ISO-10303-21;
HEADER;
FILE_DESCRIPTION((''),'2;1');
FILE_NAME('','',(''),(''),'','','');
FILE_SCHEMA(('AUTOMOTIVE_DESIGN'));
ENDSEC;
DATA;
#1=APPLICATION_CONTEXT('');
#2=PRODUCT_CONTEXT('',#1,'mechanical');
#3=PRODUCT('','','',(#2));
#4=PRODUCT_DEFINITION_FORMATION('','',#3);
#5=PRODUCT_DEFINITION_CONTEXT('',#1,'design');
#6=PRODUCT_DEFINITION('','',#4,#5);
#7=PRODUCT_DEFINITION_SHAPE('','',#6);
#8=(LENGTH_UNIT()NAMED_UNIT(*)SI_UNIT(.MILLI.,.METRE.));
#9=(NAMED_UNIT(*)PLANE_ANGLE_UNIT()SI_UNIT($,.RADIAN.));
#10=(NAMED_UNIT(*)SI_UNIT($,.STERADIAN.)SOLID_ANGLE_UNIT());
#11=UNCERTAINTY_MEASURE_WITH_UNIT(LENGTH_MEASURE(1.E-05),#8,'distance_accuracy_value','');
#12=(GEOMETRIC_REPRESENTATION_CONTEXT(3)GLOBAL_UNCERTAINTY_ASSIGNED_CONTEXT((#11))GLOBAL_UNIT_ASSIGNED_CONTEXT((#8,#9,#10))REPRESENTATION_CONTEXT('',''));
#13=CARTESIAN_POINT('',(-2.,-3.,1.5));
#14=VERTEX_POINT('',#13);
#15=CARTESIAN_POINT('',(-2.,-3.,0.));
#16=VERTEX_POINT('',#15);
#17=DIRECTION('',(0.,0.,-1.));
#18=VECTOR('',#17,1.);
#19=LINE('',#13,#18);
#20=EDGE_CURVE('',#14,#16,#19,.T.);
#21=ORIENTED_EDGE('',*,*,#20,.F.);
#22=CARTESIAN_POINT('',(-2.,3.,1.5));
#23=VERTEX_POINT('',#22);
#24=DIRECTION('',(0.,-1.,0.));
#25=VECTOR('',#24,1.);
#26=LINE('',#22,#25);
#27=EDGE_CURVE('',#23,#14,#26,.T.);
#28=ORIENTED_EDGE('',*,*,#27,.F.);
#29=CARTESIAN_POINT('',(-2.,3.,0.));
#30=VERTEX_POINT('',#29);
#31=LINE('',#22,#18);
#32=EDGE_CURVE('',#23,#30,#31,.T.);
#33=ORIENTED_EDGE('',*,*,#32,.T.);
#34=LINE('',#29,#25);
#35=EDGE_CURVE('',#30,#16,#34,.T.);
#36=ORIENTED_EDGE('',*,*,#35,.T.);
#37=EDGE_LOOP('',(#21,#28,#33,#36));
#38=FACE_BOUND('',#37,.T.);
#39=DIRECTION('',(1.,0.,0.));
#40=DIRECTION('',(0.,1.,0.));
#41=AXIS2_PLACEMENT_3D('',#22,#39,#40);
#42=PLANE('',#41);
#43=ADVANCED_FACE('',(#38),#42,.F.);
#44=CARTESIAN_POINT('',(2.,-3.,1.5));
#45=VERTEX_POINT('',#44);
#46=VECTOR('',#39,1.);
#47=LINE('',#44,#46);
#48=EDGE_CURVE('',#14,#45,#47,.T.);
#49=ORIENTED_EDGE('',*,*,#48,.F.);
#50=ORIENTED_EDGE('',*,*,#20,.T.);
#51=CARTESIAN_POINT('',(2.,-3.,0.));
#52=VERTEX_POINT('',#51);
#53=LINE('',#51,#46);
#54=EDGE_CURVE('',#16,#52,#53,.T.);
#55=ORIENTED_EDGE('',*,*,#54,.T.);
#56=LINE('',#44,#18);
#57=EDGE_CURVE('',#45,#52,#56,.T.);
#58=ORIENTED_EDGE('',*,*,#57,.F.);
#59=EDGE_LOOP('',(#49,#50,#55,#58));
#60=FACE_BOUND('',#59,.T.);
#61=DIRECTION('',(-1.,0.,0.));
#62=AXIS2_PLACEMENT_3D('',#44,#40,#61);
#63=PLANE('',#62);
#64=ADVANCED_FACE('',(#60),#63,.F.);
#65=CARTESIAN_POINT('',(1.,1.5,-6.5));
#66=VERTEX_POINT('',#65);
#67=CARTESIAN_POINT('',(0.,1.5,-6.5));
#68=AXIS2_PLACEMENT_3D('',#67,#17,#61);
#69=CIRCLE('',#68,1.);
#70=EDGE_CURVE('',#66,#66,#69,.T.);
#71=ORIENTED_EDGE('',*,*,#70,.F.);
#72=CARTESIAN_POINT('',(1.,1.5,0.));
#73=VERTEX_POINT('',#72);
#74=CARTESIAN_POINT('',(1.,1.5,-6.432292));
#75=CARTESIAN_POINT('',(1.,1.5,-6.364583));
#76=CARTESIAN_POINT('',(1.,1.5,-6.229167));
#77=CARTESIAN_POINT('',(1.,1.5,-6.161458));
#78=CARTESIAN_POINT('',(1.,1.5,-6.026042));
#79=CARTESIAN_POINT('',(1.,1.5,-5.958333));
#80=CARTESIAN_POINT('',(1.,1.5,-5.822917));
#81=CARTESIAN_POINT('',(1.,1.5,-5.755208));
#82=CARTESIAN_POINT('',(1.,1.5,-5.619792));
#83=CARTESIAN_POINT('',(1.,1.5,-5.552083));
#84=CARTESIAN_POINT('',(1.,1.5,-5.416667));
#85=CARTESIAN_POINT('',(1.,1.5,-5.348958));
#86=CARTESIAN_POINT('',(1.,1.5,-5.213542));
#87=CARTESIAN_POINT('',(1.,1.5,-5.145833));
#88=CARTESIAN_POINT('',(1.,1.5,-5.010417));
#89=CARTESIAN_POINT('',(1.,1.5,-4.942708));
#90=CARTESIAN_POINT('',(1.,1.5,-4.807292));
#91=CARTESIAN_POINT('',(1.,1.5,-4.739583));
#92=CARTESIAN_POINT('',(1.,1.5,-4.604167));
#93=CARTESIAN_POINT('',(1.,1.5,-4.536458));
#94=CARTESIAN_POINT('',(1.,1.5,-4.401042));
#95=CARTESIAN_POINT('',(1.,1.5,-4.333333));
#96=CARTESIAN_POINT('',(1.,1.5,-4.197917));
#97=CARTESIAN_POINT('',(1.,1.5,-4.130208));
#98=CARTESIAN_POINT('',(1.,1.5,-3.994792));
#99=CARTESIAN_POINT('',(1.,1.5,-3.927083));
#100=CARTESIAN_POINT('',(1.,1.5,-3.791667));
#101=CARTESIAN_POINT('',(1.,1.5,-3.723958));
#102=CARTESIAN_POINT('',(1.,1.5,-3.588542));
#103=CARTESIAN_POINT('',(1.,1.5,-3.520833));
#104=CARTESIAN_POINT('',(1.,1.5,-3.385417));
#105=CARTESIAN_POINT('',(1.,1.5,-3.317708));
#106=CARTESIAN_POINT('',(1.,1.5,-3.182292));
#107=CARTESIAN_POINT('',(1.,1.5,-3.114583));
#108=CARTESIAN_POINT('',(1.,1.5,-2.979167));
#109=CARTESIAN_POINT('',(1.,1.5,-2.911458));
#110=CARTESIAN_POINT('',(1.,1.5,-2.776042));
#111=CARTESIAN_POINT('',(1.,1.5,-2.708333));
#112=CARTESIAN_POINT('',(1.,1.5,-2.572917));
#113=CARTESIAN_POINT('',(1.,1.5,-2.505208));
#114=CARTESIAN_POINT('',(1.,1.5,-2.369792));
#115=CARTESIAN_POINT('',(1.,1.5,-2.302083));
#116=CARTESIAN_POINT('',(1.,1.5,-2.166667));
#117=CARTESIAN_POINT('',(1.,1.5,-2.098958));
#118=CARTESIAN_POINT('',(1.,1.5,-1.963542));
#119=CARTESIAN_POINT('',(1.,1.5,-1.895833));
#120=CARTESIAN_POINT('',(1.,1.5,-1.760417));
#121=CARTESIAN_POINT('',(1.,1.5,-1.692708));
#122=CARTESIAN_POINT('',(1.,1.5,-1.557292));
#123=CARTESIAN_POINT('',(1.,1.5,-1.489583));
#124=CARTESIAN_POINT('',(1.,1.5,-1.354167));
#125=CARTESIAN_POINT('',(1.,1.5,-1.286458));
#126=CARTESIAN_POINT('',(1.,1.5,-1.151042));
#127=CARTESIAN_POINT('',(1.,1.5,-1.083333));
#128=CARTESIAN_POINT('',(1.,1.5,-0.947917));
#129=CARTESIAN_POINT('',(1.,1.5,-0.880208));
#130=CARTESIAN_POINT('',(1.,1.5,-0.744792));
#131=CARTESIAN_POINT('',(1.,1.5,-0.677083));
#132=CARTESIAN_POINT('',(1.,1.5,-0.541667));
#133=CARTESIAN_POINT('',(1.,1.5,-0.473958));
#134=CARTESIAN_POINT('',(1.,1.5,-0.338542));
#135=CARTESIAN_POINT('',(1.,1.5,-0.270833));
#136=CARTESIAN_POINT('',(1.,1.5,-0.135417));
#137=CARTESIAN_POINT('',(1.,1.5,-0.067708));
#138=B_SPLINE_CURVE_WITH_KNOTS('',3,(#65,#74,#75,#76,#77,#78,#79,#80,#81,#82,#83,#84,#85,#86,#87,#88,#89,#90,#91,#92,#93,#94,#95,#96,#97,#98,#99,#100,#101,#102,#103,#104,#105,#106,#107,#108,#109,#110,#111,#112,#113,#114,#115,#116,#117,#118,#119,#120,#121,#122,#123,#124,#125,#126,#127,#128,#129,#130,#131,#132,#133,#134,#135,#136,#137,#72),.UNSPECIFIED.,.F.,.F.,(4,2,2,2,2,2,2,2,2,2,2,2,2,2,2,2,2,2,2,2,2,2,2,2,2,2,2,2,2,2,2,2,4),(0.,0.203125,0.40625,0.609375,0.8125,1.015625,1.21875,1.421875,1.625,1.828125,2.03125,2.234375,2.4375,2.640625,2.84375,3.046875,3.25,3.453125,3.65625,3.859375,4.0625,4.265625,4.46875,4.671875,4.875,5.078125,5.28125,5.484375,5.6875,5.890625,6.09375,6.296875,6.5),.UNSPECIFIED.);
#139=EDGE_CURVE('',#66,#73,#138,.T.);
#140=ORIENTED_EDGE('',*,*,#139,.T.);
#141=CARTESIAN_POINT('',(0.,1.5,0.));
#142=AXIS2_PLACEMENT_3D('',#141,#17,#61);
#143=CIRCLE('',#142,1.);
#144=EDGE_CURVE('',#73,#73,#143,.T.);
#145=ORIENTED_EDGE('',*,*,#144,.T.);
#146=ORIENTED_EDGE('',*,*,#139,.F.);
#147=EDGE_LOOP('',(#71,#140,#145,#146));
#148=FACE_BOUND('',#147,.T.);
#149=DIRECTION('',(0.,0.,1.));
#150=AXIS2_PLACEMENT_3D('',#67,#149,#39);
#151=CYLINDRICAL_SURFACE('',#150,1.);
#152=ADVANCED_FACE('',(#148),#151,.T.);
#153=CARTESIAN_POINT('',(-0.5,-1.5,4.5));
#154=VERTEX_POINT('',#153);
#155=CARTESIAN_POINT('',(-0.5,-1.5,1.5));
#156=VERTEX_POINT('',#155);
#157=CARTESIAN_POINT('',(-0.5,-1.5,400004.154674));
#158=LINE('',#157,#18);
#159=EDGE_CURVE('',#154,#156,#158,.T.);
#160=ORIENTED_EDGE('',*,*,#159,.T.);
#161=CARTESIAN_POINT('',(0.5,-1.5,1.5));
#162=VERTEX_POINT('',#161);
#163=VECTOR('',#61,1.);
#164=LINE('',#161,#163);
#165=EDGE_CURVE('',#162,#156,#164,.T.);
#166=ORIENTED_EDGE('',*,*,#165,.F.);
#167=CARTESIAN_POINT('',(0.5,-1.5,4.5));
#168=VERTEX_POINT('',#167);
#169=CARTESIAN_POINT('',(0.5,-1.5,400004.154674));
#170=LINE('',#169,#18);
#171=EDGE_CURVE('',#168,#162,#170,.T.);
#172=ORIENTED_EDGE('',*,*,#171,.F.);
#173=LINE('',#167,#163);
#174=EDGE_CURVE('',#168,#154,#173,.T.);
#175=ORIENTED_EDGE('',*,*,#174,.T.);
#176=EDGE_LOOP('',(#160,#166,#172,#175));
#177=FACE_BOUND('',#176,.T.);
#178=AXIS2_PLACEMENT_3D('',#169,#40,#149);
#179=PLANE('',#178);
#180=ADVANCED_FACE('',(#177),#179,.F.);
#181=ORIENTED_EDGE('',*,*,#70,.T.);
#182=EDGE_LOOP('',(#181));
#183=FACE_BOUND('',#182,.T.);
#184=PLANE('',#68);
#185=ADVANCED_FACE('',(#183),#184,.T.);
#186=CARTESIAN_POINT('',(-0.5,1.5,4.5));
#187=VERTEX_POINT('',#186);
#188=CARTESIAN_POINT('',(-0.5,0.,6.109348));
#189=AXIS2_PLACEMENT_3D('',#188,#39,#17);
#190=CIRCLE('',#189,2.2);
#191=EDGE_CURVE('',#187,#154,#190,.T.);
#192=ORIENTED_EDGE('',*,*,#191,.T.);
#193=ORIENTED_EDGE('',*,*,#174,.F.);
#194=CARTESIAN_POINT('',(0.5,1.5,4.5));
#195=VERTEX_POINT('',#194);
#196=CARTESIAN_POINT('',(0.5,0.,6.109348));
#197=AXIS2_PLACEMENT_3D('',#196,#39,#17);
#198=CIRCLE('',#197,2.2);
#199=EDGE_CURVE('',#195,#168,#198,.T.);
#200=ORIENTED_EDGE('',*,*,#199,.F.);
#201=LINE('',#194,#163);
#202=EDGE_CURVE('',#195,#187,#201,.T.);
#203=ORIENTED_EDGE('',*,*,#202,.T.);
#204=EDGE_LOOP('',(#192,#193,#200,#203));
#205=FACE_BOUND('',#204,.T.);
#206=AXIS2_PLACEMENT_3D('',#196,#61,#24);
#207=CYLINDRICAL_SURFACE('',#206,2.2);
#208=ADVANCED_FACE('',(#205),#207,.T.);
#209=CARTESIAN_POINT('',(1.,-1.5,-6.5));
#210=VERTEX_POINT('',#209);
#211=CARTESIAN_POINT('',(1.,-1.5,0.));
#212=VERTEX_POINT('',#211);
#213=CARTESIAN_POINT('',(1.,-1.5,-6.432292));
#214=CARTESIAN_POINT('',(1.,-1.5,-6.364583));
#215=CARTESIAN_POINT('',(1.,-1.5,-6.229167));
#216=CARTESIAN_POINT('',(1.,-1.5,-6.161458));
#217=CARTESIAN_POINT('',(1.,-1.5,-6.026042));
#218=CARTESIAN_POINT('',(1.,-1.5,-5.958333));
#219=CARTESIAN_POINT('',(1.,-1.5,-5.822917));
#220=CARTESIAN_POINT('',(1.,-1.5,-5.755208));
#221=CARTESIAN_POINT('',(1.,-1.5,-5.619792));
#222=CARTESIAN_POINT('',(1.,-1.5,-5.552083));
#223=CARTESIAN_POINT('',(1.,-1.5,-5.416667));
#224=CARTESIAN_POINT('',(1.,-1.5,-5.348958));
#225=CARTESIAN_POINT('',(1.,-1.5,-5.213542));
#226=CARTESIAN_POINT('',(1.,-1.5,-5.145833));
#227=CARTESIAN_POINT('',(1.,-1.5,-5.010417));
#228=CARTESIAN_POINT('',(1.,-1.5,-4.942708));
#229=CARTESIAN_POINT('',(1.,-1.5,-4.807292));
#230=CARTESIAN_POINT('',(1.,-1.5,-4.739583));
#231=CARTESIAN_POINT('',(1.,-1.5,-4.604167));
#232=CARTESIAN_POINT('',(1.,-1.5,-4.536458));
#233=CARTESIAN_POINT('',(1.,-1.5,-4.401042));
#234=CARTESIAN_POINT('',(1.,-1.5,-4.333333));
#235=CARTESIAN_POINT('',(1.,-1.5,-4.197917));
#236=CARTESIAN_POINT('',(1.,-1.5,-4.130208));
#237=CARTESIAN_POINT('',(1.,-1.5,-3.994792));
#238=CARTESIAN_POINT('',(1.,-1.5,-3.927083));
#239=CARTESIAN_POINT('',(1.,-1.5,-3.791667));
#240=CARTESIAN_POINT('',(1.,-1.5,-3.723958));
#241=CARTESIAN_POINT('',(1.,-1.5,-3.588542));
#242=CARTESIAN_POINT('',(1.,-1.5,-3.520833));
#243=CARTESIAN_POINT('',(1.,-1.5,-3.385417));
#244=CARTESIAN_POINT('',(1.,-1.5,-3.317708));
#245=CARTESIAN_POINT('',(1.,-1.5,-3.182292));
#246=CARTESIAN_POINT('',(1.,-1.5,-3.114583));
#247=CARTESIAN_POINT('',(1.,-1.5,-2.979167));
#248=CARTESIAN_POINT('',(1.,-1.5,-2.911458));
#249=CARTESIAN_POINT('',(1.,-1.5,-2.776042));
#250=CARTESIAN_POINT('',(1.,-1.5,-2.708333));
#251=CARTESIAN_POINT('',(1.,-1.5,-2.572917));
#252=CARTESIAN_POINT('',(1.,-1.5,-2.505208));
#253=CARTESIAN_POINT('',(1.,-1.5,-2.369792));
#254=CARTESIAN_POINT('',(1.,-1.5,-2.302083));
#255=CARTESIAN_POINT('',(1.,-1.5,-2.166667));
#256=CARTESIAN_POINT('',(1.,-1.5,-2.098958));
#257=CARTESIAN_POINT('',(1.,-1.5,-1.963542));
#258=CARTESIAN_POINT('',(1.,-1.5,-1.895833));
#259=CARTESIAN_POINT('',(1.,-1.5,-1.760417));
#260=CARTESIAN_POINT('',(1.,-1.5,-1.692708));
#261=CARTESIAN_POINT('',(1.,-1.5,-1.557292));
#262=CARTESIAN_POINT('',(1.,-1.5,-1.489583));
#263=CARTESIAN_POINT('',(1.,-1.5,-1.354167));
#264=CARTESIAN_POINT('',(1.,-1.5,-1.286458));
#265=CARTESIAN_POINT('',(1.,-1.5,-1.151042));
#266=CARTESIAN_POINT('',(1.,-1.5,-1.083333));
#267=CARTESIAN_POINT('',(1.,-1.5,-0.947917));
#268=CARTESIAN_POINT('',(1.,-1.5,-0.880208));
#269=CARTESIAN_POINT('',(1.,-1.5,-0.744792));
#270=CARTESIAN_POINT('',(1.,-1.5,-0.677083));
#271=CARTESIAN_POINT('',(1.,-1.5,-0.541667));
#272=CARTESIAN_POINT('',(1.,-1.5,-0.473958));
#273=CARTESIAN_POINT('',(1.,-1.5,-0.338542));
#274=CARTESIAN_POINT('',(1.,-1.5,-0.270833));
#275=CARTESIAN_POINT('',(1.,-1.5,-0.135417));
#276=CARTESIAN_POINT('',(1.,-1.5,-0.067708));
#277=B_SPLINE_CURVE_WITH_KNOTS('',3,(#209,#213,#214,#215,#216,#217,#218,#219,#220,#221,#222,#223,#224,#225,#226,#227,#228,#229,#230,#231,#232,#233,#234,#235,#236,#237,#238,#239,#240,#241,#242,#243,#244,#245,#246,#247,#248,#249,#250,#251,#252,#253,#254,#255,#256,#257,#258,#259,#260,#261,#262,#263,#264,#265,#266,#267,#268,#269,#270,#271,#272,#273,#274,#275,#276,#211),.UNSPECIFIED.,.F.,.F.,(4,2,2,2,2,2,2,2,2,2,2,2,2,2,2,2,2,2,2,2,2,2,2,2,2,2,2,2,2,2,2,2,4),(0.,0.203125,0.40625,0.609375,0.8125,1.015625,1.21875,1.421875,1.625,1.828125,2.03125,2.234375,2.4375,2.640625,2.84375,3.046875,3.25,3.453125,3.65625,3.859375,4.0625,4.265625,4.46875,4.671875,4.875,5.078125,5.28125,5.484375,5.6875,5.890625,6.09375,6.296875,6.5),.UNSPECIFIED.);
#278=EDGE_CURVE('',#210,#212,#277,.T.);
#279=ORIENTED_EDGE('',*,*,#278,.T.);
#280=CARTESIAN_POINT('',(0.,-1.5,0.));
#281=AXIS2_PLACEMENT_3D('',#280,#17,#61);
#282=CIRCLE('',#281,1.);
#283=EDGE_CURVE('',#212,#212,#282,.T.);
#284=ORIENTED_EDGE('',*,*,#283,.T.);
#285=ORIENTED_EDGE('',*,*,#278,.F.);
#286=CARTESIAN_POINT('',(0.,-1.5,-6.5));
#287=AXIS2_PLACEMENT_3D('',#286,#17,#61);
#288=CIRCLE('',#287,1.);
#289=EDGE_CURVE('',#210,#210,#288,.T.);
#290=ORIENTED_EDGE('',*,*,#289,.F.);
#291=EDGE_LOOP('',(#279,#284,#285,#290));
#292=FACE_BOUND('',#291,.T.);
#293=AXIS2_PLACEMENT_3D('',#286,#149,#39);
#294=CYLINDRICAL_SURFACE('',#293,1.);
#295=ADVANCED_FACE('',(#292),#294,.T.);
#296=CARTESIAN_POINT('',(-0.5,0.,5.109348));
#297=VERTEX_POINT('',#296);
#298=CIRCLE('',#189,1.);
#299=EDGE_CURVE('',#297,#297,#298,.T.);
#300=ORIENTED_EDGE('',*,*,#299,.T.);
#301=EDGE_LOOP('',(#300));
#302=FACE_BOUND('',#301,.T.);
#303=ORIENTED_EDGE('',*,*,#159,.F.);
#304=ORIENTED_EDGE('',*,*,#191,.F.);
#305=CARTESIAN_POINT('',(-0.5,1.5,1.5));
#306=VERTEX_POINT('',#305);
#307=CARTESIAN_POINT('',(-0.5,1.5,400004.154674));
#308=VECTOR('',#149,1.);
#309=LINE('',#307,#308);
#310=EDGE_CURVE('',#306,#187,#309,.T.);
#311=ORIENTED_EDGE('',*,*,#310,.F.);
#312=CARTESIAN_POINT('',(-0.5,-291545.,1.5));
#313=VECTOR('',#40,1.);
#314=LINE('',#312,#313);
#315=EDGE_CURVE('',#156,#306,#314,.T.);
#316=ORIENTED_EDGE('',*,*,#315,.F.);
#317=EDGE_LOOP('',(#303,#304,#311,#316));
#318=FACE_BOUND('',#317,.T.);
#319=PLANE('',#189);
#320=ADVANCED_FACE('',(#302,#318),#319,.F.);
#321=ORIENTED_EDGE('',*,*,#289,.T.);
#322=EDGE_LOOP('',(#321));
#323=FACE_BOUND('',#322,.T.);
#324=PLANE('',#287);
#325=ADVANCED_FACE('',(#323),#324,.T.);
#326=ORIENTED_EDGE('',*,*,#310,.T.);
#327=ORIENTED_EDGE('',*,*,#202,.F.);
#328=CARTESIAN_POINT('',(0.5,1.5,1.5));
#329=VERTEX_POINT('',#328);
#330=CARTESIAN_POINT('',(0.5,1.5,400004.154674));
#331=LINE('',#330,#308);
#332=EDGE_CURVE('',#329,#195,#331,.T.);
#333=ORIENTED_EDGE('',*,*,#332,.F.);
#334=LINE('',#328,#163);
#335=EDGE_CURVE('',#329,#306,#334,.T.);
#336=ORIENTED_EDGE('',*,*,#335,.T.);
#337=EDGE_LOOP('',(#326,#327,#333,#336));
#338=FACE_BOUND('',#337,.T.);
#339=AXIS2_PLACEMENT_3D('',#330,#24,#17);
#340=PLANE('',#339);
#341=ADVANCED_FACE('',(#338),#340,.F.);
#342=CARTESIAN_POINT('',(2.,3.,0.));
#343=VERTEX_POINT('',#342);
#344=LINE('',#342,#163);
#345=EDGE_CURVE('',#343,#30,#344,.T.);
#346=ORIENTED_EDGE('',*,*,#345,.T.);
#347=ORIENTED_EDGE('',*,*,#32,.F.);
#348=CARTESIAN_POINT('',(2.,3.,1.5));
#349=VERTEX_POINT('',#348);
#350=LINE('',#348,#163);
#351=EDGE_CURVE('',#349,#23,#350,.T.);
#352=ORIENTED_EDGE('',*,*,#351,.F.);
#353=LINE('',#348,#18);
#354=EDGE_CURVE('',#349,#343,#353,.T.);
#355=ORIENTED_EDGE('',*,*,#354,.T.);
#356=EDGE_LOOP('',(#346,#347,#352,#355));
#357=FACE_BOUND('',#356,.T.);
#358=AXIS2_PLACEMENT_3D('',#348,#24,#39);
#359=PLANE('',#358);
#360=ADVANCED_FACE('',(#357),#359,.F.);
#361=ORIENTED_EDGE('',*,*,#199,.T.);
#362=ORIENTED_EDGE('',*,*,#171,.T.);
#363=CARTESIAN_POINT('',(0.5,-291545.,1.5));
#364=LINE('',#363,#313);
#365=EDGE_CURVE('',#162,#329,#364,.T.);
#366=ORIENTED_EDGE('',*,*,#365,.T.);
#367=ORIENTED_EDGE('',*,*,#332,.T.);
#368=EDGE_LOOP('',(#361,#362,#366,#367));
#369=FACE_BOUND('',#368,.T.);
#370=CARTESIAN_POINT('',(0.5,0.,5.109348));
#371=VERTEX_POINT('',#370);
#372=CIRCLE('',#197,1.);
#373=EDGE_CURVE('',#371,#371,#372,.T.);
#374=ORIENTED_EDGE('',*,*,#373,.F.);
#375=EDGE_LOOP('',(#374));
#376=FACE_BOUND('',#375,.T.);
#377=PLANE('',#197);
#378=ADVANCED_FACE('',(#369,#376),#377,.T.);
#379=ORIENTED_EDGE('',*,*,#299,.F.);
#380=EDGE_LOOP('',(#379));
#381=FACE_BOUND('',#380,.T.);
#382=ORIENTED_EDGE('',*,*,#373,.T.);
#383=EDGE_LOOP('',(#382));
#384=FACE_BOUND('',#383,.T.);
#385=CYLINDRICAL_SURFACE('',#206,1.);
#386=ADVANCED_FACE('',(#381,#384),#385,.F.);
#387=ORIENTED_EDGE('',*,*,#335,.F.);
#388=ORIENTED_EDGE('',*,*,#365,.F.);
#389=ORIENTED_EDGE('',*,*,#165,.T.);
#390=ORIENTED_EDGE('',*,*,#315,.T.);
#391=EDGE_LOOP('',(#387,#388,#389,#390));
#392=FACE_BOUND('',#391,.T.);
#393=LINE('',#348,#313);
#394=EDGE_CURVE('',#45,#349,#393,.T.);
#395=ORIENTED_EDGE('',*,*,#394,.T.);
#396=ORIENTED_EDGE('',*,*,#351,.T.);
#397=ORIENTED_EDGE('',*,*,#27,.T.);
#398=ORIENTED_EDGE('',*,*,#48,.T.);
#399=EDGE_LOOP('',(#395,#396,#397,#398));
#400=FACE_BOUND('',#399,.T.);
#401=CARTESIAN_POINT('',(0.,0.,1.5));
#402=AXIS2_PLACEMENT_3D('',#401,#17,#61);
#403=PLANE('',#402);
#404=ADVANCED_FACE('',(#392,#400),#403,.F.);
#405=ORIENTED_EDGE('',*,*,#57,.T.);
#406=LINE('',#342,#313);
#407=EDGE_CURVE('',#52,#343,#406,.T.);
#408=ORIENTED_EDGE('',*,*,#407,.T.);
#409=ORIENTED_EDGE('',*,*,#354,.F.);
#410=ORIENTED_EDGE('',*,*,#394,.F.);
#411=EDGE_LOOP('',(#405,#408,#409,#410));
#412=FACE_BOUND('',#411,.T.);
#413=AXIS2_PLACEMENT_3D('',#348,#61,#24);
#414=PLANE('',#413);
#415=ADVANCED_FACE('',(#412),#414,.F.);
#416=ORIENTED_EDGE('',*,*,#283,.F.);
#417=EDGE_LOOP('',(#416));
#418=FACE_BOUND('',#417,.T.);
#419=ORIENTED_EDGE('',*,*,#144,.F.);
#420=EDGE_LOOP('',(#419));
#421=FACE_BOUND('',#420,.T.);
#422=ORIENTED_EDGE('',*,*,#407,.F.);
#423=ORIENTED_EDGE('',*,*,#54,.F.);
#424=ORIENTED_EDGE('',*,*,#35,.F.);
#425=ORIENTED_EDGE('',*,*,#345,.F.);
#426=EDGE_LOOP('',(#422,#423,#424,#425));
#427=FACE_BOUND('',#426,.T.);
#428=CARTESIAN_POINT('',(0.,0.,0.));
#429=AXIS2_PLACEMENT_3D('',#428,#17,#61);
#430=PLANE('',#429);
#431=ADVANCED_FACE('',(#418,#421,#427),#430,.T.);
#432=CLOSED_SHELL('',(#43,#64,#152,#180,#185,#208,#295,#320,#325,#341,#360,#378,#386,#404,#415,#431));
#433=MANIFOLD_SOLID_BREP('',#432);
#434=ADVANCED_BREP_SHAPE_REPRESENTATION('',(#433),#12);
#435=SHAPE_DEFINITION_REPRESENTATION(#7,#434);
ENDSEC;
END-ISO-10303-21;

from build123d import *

# Parameters (mm, degrees)
SKETCH1_W                = 4
SKETCH1_H                = 6
BOSS_EXTRUDE1_DEPTH      = 1.5
BOSS_EXTRUDE2_DEPTH      = 0.5
BOSS_EXTRUDE2_DEPTH_BACK = 0.5
BOSS_EXTRUDE2_START      = -2
SKETCH2_R                = 1
SKETCH3_R                = 1
BOSS_EXTRUDE3_DEPTH      = 6.5


with BuildPart() as part:
    # Sketch1 → Boss-Extrude1 (new body)
    with BuildSketch(Plane.XY):
        Rectangle(SKETCH1_W, SKETCH1_H)
    extrude(amount=BOSS_EXTRUDE1_DEPTH)

    # Sketch2 → Boss-Extrude2 (add, two sides: drawn at the far end of the back side and taken through both)
    with BuildSketch(Plane(origin=(2, 0, 0), x_dir=(0, 0, -1), z_dir=(1, 0, 0)).offset(BOSS_EXTRUDE2_START - BOSS_EXTRUDE2_DEPTH_BACK)):
        with BuildLine():
            Line((-1.5, 1.5), (-4.5, 1.5))
            ThreePointArc((-4.5, 1.5), (-8.309347694, 0), (-4.5, -1.5))
            Line((-4.5, -1.5), (-1.5, -1.5))
            Line((-1.5, -1.5), (-1.5, 1.5))
        make_face()
        with Locations((-6.109347694, 0)):
            Circle(SKETCH2_R, mode=Mode.SUBTRACT)
    extrude(amount=BOSS_EXTRUDE2_DEPTH + BOSS_EXTRUDE2_DEPTH_BACK)

    # Sketch3 → Boss-Extrude3 (add)
    with BuildSketch(Plane(origin=(0, 0, 0), x_dir=(-1, 0, 0), z_dir=(0, 0, -1))):
        with Locations(Location((0, 1.5, 0), (0, 0, 180))):
            Circle(SKETCH3_R)
        with Locations(Location((0, -1.5, 0), (0, 0, 180))):
            Circle(SKETCH3_R)
    extrude(amount=BOSS_EXTRUDE3_DEPTH)


solid = part.part
